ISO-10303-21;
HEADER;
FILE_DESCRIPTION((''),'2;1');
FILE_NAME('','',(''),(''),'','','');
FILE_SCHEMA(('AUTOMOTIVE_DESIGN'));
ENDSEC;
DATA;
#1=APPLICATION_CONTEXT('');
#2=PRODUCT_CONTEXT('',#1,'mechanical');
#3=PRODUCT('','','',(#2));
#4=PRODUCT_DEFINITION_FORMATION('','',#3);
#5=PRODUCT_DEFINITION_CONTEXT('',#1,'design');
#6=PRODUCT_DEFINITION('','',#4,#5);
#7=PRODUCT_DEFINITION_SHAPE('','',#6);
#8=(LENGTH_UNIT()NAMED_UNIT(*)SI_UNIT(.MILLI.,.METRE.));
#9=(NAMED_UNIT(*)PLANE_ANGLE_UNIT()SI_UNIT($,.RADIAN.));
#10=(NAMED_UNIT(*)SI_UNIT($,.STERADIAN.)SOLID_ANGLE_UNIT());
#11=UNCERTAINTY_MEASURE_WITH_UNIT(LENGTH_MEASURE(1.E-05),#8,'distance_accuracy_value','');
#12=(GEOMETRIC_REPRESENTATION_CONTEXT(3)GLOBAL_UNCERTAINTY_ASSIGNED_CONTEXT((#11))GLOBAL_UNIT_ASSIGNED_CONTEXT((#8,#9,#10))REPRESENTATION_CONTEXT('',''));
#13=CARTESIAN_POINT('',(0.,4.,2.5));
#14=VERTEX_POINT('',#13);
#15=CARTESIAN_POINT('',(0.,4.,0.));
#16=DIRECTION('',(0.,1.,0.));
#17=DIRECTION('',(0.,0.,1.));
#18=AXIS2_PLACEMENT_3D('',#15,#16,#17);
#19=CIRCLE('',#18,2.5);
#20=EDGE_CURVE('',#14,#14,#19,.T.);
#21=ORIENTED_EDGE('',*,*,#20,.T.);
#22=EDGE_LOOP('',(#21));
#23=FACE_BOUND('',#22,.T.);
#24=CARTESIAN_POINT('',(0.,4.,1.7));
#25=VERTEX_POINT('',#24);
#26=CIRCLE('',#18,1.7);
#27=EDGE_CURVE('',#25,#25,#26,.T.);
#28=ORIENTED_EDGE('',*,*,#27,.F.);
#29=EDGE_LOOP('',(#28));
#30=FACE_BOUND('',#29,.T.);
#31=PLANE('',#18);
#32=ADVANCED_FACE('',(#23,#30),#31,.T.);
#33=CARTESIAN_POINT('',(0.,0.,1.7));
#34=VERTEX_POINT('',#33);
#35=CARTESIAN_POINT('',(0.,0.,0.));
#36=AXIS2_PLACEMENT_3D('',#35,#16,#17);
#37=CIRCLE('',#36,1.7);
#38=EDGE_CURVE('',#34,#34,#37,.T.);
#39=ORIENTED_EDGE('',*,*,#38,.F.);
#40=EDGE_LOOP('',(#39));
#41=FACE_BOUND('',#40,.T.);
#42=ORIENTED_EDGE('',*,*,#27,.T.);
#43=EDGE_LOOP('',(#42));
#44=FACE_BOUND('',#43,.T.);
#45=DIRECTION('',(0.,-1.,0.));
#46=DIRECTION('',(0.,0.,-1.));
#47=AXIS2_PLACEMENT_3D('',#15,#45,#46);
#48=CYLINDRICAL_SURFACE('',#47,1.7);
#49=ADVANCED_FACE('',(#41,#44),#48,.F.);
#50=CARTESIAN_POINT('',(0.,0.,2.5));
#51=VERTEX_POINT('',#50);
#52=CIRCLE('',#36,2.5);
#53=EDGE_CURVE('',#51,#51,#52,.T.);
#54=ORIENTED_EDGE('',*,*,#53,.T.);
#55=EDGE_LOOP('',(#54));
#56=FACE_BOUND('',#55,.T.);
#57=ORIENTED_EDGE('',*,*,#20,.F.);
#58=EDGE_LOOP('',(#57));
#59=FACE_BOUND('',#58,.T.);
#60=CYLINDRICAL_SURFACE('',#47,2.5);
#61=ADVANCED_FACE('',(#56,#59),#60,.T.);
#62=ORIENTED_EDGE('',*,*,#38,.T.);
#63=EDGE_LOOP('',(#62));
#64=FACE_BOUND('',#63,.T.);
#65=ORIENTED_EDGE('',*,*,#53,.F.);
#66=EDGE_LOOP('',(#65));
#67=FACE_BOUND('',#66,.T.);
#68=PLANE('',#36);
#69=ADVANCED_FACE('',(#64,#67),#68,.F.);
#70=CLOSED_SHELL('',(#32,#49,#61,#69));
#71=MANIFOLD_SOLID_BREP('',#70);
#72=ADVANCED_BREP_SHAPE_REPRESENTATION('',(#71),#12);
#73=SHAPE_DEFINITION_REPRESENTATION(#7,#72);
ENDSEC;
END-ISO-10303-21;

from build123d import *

# Parameters (mm, degrees)
SKETCH_1_R      = 2.5
SKETCH_1_R_2    = 1.7
EXTRUDE_1_DEPTH = 4


with BuildPart() as part:
    # Эскиз1 → Бобышка-Вытянуть1 (new body)
    with BuildSketch(Plane(origin=(0, 0, 0), x_dir=(1, 0, 0), z_dir=(0, 1, 0))):
        with Locations(Location((0, 0, 0), (0, 0, 270))):
            Circle(SKETCH_1_R)
        with Locations(Location((0, 0, 0), (0, 0, 270))):
            Circle(SKETCH_1_R_2, mode=Mode.SUBTRACT)
    extrude(amount=EXTRUDE_1_DEPTH)


solid = part.part
